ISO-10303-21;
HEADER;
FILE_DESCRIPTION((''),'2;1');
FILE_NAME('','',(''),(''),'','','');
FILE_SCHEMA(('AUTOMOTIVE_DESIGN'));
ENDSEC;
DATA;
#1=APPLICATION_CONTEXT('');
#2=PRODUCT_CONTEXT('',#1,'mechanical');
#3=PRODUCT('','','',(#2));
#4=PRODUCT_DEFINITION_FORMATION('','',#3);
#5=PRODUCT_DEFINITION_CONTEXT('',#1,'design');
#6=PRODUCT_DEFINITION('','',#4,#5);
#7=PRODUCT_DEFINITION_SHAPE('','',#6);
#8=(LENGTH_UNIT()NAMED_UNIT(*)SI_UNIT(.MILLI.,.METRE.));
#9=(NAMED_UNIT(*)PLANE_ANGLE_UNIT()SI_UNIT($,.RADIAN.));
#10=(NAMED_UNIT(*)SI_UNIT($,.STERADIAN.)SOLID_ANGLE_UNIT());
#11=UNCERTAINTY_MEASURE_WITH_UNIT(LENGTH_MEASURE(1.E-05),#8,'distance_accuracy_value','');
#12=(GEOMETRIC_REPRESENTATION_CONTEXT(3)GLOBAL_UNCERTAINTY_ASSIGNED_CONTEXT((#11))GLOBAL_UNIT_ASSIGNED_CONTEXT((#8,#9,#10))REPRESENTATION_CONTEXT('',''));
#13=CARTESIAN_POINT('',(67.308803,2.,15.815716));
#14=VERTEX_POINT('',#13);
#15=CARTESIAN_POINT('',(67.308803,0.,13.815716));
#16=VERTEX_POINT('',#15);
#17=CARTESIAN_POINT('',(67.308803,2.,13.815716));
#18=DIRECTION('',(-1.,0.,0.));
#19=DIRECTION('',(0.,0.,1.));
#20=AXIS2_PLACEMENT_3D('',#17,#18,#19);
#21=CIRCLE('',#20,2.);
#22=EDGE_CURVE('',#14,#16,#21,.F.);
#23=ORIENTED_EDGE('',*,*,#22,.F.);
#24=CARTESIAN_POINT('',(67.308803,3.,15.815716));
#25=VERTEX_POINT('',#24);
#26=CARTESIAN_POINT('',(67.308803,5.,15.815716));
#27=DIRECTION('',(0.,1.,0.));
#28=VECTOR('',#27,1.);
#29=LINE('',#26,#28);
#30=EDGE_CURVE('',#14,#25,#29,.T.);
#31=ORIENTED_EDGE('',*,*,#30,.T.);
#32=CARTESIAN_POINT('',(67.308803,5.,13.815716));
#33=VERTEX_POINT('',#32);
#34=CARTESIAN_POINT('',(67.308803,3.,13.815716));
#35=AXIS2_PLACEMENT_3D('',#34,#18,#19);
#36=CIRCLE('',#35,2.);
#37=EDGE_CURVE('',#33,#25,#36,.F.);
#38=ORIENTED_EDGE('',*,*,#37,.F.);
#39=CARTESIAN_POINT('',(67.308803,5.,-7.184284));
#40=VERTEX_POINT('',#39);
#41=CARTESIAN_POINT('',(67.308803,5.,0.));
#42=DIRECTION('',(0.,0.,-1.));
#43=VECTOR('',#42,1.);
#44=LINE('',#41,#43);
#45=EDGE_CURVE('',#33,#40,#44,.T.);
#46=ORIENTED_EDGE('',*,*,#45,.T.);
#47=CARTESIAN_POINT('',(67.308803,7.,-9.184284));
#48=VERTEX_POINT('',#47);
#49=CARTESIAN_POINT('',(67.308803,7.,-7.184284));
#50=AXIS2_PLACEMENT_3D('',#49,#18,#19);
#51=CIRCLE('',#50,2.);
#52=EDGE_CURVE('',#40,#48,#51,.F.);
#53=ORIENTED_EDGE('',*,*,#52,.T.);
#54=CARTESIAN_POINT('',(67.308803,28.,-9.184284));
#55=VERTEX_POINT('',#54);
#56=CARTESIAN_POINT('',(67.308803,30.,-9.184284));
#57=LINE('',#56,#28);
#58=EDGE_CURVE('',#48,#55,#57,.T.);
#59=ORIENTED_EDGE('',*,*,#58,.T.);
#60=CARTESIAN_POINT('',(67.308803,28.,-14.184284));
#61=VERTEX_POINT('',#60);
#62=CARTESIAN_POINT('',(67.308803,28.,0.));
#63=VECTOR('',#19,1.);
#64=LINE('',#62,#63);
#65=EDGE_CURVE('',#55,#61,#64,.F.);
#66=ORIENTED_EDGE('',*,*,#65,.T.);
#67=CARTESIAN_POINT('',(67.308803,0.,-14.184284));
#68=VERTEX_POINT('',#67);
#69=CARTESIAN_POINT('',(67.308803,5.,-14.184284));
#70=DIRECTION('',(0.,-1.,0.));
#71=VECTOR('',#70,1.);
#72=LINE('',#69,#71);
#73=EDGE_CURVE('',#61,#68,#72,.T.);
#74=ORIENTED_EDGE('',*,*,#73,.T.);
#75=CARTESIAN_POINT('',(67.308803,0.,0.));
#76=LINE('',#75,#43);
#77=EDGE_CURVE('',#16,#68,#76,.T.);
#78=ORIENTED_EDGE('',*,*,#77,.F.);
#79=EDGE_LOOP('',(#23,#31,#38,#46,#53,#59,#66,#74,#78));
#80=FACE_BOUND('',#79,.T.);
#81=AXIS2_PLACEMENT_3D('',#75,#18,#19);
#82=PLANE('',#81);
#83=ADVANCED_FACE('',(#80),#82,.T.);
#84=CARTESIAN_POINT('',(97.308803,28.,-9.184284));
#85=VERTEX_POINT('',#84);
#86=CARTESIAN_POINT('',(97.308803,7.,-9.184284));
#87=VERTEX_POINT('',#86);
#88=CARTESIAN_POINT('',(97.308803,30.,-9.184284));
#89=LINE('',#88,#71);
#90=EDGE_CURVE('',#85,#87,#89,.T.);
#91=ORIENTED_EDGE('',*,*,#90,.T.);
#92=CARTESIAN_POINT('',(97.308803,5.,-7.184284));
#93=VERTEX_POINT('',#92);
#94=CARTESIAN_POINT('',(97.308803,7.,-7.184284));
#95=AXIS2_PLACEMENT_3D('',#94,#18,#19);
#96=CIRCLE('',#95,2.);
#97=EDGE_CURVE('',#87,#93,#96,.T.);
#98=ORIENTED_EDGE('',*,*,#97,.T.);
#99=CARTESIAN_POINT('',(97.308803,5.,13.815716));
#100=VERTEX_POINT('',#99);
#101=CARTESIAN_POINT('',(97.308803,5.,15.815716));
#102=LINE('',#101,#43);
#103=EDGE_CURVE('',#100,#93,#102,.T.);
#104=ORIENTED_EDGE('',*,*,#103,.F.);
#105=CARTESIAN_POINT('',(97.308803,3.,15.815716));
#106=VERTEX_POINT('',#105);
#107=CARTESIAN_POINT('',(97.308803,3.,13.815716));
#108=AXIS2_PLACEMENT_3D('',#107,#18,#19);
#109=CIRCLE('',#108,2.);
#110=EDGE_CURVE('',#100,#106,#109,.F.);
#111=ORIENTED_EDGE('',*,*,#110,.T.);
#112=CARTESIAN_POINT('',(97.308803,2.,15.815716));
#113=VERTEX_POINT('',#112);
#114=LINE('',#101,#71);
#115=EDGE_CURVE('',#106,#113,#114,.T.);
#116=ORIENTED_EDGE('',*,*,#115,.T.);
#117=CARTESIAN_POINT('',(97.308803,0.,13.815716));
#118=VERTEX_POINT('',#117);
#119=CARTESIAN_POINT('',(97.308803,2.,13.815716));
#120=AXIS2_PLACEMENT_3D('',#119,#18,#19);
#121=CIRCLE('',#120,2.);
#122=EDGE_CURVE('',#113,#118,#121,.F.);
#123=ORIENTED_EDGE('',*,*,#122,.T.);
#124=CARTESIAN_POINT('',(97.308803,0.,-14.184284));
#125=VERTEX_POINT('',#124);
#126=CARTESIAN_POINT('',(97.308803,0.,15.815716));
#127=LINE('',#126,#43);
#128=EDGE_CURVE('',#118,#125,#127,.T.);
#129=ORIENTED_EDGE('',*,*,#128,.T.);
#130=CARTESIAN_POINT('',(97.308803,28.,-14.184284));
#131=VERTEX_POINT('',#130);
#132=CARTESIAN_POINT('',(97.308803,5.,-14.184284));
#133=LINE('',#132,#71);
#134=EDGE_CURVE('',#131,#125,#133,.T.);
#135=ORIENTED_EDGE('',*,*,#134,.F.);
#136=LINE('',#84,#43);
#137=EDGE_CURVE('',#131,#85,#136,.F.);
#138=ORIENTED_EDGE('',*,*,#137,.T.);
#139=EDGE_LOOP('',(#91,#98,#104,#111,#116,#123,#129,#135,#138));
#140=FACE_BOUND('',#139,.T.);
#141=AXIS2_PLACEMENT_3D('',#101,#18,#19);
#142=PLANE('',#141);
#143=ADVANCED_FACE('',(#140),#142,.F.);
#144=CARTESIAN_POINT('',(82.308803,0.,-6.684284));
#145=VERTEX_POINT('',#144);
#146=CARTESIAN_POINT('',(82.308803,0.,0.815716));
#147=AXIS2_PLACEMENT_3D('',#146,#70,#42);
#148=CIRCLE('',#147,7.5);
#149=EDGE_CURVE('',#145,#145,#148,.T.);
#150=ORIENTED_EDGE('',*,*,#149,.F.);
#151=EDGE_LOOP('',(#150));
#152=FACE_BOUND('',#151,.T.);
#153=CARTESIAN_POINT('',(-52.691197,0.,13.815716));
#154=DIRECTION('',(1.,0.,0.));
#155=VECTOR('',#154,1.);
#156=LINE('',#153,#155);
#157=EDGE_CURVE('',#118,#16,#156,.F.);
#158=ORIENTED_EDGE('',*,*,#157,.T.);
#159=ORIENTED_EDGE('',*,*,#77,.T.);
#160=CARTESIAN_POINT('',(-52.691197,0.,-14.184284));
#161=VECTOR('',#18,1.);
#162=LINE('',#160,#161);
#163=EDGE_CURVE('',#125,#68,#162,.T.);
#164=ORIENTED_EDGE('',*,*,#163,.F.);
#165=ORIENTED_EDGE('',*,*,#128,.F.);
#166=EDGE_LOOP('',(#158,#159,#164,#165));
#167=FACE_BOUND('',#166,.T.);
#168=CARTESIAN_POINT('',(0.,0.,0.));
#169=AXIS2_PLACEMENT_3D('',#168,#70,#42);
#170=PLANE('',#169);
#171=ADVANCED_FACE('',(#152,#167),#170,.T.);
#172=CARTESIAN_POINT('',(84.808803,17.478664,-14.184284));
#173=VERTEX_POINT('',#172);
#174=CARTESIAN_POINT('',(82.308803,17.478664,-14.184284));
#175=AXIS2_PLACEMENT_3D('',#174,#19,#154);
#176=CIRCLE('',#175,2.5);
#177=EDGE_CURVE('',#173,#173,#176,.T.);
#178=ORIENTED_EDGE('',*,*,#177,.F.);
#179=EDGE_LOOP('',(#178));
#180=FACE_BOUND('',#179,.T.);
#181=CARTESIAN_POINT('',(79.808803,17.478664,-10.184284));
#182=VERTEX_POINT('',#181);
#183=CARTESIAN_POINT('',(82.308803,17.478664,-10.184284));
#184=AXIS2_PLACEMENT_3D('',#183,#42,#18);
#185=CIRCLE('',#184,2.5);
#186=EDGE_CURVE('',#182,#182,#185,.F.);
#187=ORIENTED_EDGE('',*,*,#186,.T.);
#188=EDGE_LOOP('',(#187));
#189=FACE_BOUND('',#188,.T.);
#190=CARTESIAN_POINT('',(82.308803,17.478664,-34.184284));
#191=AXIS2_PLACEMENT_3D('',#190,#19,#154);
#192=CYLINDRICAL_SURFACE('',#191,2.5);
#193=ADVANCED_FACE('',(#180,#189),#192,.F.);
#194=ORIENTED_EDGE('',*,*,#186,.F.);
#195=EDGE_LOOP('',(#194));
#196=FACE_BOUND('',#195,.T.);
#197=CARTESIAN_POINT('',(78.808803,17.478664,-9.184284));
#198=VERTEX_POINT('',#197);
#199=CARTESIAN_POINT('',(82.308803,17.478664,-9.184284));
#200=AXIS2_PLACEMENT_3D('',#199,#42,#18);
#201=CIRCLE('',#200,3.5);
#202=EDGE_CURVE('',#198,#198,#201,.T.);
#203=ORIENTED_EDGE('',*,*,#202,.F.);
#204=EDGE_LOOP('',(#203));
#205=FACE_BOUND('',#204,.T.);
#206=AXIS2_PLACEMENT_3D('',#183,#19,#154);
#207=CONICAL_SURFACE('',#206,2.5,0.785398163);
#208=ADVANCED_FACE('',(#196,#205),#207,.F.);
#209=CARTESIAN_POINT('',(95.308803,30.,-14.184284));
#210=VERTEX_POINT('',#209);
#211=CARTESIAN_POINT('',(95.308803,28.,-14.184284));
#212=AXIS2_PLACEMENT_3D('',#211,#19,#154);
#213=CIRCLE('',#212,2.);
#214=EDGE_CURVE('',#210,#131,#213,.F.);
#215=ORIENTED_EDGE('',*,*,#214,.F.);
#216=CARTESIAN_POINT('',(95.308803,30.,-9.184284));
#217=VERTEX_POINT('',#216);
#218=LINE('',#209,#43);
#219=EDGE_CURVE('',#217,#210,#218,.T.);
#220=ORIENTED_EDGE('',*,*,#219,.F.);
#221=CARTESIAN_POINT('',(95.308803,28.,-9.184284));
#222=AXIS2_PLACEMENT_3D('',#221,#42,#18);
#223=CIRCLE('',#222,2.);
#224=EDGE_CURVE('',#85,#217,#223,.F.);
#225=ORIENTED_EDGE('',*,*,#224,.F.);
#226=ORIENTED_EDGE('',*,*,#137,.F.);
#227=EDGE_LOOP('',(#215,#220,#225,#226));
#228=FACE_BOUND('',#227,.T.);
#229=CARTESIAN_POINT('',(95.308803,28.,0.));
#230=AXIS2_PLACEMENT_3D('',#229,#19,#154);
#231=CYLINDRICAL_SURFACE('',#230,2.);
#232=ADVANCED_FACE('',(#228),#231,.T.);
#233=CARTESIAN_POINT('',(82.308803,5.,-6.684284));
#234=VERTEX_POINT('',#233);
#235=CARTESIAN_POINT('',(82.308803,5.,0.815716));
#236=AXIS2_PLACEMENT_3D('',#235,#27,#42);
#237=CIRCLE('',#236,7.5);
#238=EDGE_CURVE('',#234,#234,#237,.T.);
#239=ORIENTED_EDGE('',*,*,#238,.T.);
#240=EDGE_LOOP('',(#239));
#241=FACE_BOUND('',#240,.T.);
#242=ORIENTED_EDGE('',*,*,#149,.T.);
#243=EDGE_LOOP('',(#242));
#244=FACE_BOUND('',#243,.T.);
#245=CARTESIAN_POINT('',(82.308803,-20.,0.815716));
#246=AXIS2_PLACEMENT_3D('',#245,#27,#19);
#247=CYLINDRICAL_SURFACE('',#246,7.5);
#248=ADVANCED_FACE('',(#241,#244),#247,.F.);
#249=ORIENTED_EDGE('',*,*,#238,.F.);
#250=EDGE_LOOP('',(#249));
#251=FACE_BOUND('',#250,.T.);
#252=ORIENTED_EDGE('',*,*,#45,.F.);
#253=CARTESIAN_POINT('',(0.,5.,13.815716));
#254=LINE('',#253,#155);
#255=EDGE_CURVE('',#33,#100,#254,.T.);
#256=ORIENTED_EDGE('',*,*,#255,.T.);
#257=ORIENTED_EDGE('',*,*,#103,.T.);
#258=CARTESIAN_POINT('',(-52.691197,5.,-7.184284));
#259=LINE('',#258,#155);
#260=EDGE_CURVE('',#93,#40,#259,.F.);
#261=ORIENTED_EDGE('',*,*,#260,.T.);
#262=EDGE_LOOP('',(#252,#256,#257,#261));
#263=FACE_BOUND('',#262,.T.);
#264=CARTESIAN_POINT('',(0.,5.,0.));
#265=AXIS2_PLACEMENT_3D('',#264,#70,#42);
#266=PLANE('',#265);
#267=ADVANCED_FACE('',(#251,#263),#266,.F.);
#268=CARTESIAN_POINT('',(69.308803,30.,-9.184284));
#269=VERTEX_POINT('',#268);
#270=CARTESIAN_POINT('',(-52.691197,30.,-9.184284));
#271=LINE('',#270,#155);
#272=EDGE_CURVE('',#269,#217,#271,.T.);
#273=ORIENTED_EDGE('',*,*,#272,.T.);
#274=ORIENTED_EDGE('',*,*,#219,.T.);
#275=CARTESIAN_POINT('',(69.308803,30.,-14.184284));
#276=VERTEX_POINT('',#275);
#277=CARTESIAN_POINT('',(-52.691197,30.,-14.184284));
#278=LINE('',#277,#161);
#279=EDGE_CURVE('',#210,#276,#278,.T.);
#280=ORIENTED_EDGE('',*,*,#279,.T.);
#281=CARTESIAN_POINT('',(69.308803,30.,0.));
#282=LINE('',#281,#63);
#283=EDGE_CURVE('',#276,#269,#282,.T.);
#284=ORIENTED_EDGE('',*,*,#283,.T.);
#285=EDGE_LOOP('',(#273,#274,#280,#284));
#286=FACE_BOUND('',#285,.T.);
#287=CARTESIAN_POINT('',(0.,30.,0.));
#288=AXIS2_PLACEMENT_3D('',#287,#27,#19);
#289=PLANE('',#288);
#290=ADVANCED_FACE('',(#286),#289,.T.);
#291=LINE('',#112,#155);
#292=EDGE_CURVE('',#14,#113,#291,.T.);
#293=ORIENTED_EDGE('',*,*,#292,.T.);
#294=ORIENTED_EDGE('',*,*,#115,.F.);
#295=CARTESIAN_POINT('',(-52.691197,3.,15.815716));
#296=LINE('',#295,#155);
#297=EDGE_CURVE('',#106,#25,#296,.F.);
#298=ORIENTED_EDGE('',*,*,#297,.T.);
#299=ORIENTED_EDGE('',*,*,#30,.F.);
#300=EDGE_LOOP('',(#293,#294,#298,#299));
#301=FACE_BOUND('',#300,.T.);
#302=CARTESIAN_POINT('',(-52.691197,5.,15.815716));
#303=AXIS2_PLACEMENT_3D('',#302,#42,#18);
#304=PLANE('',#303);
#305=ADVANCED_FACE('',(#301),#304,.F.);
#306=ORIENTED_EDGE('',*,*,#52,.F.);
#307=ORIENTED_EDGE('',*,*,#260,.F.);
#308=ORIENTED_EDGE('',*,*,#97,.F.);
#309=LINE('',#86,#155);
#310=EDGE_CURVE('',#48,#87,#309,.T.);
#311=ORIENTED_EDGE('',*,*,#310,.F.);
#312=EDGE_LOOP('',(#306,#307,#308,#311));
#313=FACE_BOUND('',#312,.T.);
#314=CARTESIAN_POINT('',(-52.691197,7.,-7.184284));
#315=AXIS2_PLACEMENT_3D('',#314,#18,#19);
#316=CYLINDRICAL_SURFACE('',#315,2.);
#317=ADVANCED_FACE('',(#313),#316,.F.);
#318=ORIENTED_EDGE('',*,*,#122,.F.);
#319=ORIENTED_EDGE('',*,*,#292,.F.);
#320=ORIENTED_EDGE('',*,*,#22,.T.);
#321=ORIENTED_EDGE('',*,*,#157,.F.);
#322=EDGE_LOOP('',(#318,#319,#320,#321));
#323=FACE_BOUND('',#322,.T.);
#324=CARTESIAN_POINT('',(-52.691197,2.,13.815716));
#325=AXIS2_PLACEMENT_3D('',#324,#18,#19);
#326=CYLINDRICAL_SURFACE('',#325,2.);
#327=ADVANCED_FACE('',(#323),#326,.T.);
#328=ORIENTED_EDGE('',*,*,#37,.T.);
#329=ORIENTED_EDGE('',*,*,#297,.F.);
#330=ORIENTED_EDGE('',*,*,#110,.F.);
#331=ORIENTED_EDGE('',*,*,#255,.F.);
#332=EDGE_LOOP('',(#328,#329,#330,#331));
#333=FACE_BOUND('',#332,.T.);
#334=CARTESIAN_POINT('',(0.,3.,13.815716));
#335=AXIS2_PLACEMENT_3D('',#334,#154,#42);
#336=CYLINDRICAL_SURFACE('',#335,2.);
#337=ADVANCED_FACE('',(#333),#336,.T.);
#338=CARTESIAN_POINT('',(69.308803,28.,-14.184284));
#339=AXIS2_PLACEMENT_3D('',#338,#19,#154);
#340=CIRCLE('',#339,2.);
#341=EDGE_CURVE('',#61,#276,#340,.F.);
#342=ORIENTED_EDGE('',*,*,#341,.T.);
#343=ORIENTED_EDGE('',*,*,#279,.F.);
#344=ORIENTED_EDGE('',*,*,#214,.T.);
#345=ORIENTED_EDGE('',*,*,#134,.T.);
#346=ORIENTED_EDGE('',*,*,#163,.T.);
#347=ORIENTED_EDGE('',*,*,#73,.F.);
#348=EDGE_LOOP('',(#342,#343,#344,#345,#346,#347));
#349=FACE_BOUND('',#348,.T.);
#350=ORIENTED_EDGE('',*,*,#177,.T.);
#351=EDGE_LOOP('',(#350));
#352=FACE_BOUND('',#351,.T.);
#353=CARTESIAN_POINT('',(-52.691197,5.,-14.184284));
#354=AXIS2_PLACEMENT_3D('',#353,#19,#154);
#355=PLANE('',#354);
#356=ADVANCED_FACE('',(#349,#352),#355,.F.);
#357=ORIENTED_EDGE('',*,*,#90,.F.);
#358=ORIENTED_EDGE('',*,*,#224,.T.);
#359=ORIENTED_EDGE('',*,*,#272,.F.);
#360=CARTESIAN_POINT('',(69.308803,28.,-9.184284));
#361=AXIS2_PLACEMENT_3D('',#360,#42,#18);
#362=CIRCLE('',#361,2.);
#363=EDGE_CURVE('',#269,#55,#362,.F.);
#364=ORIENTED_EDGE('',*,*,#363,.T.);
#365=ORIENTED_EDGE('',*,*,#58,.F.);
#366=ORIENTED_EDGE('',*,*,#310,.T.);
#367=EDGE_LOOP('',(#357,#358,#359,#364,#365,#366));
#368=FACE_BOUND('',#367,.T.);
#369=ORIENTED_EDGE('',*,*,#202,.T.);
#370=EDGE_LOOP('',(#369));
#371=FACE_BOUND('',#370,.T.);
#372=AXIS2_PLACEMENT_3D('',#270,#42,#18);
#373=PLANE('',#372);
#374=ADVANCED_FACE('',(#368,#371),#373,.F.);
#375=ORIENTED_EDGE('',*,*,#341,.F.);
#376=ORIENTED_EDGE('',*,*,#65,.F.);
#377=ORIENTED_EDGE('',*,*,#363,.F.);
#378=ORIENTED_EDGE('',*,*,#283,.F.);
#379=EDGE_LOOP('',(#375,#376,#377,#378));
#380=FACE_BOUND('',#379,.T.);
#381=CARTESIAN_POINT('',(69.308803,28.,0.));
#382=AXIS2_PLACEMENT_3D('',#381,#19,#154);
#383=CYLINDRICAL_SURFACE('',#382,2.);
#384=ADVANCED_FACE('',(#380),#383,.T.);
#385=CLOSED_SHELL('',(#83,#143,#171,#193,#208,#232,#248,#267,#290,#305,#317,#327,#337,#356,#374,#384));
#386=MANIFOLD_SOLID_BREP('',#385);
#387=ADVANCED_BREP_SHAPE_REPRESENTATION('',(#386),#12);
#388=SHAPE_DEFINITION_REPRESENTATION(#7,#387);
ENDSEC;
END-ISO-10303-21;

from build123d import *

# Parameters (mm, degrees)
SKETCH1_W           = 150
SKETCH1_H           = 30
BOSS_EXTRUDE1_DEPTH = 5
SKETCH3_W           = 150
SKETCH3_H           = 5
BOSS_EXTRUDE2_DEPTH = 25
SKETCH6_R           = 7.5
SKETCH6_R_2         = 5
CUT_EXTRUDE2_DEPTH  = 25
SKETCH7_R           = 2.5
CUT_EXTRUDE3_DEPTH  = 25
CHAMFER1_SIZE       = 1
FILLET2_R           = 2
SKETCH8_W           = 43.274843737
SKETCH8_H           = 64.613346869
CUT_EXTRUDE4_DEPTH  = 120
FILLET3_R           = 2


with BuildPart() as part:
    # Sketch1 → Boss-Extrude1 (new body)
    with BuildSketch(Plane(origin=(0, 0, 0), x_dir=(1, 0, 0), z_dir=(0, 1, 0))):
        with Locations((22.308802864, -0.815715524)):
            Rectangle(SKETCH1_W, SKETCH1_H)
    extrude(amount=BOSS_EXTRUDE1_DEPTH)

    # Sketch3 → Boss-Extrude2 (add)
    with BuildSketch(Plane(origin=(0, 5, 0), x_dir=(1, 0, 0), z_dir=(0, 1, 0))):
        with Locations((22.308802864, 11.684284476)):
            Rectangle(SKETCH3_W, SKETCH3_H)
    extrude(amount=BOSS_EXTRUDE2_DEPTH)

    # Sketch6 → Cut-Extrude2 (cut)
    with BuildSketch(Plane(origin=(0, 5, 0), x_dir=(1, 0, 0), z_dir=(0, 1, 0))):
        with Locations(Location((82.308802864, -0.815715524, 0), (0, 0, 90))):
            Circle(SKETCH6_R)
        with Locations(Location((54.808802864, -8.315715524, 0), (0, 0, 90))):
            Circle(SKETCH6_R_2)
        with Locations(Location((29.808802864, -8.315715524, 0), (0, 0, 90))):
            Circle(SKETCH6_R_2)
        with Locations(Location((2.308802864, -8.315715524, 0), (0, 0, 90))):
            Circle(SKETCH6_R_2)
        with Locations(Location((-37.691197136, -8.315715524, 0), (0, 0, 90))):
            Circle(SKETCH6_R_2)
    extrude(amount=-CUT_EXTRUDE2_DEPTH, mode=Mode.SUBTRACT)

    # Sketch7 → Cut-Extrude3 (cut)
    with BuildSketch(Plane.XY.offset(-9.184284476)):
        with Locations((82.308802864, 17.478664245)):
            Circle(SKETCH7_R)
        with Locations((-37.691197136, 17.478664245)):
            Circle(SKETCH7_R)
        with Locations((22.308802864, 17.478664245)):
            Circle(SKETCH7_R)
    extrude(amount=-CUT_EXTRUDE3_DEPTH, mode=Mode.SUBTRACT)

    # Chamfer1
    chamfer1_edges = [part.edges().sort_by_distance(p)[0] for p in [
        (79.808802864, 17.478664245, -9.184284476),
        (-40.191197136, 17.478664245, -9.184284476),
        (19.808802864, 17.478664245, -9.184284476),
    ]]
    chamfer(chamfer1_edges, length=CHAMFER1_SIZE)

    # Fillet2
    fillet2_edges = [part.edges().sort_by_distance(p)[0] for p in [
        (22.308802864, 5, 15.815715524),
        (22.308802864, 0, 15.815715524),
        (22.308802864, 5, -9.184284476),
        (-52.691197136, 30, -11.684284476),
        (97.308802864, 30, -11.684284476),
    ]]
    fillet(fillet2_edges, radius=FILLET2_R)

    # Sketch8 → Cut-Extrude4 (cut)
    with BuildSketch(Plane.ZY.offset(52.691197136)):
        with Locations((-0.153926337, 8.461505149)):
            Rectangle(SKETCH8_W, SKETCH8_H)
    extrude(amount=-CUT_EXTRUDE4_DEPTH, mode=Mode.SUBTRACT)

    # Fillet3
    fillet3_edges = [part.edges().sort_by_distance(p)[0] for p in [
        (67.308802864, 30, -11.684284476),
    ]]
    fillet(fillet3_edges, radius=FILLET3_R)


solid = part.part
